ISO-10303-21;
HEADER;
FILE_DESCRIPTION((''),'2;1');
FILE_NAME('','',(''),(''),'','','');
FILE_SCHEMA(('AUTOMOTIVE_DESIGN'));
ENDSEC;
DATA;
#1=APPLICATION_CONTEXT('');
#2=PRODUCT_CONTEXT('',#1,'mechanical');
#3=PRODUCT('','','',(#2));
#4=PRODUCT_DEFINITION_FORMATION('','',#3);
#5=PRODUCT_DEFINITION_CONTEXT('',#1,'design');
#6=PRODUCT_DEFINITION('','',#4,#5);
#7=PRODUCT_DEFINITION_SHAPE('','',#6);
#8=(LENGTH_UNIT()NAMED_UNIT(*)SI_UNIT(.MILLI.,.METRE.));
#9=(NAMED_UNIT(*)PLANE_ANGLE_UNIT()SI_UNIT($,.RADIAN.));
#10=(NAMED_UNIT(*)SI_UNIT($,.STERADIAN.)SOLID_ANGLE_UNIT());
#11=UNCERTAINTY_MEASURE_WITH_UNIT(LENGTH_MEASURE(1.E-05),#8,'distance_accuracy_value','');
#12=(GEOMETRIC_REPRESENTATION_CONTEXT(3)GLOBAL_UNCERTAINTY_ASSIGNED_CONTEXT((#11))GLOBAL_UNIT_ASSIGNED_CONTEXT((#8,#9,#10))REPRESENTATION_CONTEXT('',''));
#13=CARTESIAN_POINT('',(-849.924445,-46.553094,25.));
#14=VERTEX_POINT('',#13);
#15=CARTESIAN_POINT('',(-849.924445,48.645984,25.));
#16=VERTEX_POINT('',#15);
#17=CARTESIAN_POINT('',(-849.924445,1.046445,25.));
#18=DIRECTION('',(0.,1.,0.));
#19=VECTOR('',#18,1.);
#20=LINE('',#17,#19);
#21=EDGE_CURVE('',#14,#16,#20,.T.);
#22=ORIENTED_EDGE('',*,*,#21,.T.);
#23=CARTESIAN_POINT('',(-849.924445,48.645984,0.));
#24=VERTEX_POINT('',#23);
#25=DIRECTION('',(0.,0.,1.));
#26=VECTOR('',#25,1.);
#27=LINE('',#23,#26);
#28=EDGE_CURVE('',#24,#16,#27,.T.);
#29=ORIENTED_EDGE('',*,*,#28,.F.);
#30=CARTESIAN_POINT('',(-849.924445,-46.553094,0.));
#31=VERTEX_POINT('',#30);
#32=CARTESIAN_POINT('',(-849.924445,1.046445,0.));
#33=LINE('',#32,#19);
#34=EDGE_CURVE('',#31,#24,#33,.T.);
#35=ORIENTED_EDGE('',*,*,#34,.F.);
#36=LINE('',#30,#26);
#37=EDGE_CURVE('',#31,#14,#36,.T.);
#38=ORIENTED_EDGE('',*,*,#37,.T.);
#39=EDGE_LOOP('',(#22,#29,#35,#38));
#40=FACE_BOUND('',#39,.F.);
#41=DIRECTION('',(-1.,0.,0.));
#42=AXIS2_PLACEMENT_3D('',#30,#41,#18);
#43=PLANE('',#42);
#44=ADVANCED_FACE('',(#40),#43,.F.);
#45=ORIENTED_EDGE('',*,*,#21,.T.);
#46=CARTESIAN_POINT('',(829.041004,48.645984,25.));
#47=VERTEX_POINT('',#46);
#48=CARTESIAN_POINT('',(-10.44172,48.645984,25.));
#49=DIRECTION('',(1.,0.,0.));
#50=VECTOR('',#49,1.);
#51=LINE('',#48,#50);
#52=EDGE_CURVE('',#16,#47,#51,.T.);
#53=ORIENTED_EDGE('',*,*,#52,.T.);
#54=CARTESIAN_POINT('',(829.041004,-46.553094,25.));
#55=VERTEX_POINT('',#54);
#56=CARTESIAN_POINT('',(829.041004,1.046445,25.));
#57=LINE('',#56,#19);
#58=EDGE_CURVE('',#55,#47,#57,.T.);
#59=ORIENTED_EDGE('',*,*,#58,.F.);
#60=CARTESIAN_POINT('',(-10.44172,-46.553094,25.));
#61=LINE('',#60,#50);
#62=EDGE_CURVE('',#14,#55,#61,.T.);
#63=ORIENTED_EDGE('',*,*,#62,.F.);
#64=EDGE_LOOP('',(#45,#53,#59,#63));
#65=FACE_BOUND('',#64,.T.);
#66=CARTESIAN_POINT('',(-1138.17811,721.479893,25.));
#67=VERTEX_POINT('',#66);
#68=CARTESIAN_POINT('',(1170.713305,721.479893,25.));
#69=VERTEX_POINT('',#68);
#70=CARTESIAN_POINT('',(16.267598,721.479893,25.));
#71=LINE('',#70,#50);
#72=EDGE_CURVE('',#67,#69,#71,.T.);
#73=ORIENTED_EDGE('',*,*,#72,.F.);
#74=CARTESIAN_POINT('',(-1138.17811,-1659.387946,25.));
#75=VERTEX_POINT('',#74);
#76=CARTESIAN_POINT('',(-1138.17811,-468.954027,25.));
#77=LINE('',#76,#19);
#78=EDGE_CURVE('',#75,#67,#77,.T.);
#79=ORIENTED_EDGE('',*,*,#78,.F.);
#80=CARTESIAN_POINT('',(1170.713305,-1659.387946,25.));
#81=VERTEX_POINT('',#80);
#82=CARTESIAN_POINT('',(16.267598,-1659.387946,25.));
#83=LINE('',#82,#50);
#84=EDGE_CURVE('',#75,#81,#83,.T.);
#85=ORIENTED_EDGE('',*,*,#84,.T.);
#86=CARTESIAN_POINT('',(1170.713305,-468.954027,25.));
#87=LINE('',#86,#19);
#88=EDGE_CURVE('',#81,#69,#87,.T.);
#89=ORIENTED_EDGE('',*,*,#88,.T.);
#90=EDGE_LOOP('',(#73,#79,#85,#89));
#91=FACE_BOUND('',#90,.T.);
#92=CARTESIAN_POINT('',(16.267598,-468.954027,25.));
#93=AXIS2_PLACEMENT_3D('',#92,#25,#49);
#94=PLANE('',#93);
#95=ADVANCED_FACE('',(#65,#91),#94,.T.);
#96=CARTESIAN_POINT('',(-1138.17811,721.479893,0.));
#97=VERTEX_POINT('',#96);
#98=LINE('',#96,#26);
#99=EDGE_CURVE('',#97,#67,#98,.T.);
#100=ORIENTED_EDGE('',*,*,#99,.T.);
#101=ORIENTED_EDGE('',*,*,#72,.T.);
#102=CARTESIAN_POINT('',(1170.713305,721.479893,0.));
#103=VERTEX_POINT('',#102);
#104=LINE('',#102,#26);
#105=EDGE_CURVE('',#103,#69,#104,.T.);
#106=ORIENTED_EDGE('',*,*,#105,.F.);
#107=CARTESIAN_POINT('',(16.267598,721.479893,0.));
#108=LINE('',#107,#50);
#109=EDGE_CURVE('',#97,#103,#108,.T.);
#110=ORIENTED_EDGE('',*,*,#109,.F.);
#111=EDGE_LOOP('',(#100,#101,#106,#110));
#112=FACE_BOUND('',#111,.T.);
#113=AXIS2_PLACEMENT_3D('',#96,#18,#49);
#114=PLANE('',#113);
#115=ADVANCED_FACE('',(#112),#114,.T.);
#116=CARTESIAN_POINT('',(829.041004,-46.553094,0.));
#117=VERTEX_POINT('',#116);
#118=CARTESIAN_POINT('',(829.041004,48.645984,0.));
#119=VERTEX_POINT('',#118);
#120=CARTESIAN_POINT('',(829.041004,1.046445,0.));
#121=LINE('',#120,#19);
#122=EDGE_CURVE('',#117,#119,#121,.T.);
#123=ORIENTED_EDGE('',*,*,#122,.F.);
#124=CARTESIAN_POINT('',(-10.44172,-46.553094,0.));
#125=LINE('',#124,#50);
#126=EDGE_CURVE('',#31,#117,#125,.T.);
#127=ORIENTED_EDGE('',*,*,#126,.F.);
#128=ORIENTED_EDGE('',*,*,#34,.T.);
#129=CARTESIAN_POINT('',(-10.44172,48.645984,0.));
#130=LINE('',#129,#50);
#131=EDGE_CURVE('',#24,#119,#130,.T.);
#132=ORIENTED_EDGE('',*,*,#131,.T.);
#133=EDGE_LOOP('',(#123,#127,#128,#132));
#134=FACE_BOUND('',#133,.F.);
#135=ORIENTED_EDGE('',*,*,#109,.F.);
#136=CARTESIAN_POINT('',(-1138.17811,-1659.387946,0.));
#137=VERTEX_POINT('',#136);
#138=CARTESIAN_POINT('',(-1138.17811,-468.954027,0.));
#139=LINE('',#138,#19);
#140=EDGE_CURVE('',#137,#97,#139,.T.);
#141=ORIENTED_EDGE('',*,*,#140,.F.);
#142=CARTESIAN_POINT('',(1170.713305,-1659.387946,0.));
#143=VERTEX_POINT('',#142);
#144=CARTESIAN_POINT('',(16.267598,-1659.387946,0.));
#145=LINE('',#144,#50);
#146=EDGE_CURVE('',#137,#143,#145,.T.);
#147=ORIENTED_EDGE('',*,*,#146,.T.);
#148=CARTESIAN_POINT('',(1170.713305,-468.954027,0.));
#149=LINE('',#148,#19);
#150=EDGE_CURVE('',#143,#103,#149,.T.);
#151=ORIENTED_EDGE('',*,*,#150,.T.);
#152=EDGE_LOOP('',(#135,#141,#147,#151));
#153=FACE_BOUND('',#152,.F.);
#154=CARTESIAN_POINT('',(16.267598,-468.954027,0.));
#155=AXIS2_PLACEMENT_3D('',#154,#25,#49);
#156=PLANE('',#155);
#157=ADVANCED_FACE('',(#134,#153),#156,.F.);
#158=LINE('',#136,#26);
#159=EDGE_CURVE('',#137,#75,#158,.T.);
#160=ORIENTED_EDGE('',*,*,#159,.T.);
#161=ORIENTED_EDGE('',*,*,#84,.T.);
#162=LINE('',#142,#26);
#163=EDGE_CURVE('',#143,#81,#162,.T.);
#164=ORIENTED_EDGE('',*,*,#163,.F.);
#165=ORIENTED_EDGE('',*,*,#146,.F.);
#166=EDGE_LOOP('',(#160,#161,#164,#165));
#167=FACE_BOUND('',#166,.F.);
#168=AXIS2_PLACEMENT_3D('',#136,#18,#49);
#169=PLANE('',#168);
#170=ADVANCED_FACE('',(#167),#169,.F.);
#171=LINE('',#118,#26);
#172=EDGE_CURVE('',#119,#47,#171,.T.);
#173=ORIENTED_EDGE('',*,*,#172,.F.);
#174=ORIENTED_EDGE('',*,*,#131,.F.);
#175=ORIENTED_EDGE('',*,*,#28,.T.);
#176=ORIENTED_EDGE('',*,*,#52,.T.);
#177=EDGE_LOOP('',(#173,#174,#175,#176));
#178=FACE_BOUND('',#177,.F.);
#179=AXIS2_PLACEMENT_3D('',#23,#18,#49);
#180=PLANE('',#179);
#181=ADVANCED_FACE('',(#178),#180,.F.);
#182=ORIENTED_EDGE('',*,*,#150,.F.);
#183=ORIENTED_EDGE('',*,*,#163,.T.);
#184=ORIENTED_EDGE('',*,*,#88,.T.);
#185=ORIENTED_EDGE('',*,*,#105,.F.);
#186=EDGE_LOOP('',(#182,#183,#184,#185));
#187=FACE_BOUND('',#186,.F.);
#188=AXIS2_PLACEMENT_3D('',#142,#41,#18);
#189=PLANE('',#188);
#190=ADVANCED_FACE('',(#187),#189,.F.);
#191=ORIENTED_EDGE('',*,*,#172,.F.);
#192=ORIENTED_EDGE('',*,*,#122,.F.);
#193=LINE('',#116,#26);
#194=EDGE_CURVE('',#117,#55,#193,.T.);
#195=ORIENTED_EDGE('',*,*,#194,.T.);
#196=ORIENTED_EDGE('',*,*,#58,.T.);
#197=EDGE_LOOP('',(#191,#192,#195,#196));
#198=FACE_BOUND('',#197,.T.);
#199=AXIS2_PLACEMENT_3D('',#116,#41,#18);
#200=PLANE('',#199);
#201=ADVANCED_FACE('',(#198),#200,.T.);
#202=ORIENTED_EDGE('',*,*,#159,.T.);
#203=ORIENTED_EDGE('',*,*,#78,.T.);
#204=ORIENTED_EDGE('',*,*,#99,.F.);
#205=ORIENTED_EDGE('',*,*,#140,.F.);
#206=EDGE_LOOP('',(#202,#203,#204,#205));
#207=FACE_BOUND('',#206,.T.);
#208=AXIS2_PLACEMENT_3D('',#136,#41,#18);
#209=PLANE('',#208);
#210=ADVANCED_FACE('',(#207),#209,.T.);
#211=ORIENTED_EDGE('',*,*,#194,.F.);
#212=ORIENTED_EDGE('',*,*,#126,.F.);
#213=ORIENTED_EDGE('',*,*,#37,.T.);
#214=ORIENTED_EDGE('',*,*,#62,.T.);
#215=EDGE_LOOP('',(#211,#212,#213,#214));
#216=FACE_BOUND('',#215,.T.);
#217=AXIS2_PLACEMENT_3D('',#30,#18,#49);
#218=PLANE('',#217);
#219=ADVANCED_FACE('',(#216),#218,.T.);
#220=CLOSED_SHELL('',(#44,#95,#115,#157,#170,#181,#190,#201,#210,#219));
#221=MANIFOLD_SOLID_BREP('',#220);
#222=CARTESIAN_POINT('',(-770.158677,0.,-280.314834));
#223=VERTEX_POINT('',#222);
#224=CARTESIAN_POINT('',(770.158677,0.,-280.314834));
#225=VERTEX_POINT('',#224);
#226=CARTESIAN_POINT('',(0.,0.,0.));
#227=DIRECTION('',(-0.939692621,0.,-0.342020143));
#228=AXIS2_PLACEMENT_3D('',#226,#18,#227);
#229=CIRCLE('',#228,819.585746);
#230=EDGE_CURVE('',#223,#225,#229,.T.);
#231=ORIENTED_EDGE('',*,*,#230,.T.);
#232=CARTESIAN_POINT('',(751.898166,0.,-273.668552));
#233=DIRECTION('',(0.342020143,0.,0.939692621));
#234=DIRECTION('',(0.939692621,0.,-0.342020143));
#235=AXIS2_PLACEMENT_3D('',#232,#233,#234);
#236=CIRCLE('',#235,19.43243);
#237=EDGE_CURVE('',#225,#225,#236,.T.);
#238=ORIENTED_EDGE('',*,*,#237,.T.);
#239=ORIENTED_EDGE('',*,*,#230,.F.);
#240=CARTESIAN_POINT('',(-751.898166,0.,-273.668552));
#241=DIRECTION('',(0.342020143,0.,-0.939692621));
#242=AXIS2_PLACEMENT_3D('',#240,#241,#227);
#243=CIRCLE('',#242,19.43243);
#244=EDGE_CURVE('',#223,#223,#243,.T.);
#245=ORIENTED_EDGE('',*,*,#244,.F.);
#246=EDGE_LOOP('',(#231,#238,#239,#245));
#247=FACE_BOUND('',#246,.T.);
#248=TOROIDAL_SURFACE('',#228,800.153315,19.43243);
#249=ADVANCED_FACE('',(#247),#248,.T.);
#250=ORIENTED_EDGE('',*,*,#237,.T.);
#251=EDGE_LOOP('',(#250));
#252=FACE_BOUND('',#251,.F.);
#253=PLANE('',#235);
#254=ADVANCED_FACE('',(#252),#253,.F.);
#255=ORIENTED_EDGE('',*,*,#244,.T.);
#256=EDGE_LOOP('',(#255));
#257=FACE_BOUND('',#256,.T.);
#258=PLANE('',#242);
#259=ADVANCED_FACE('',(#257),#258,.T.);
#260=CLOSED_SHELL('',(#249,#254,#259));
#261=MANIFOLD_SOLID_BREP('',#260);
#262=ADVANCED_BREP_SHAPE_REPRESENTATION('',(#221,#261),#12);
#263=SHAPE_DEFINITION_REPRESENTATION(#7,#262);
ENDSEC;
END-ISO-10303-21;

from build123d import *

# Parameters (mm, degrees)
F1_ANGLE_BACK = 200
F1_ANGLE      = 220
F2_W          = 2308.891415596
F2_H          = 2380.8678388596
F2_W_2        = 1678.9654493332
F2_H_2        = 95.1990783215
F3_DEPTH      = 25


with BuildPart() as f1:
    # F0 (on Top) → F1 (revolve)
    with BuildSketch(Plane.XY, mode=Mode.PRIVATE) as f1_sk:
        with BuildLine():
            ThreePointArc((780.7208846222, 0), (800.1533150673, -19.4324304451), (819.5857455124, 0))
            ThreePointArc((819.5857455124, 0), (800.1533150673, 19.4324304451), (780.7208846222, 0))
        make_face()
    revolve(f1_sk.sketch.rotate(Axis((0, -4.0102191269, 0), (0, 1, 0)), -F1_ANGLE_BACK), axis=Axis((0, -4.0102191269, 0), (0, 1, 0)), revolution_arc=F1_ANGLE)


with BuildPart() as f3:
    # F2 (on Top) → F3 (new body)
    with BuildSketch(Plane.XY):
        with Locations((16.2675976753, -468.9540266991)):
            Rectangle(F2_W, F2_H)
        with Locations((-10.4417204857, 1.0464452207)):
            Rectangle(F2_W_2, F2_H_2, mode=Mode.SUBTRACT)
    extrude(amount=F3_DEPTH)


solid = Compound([f1.part, f3.part])
